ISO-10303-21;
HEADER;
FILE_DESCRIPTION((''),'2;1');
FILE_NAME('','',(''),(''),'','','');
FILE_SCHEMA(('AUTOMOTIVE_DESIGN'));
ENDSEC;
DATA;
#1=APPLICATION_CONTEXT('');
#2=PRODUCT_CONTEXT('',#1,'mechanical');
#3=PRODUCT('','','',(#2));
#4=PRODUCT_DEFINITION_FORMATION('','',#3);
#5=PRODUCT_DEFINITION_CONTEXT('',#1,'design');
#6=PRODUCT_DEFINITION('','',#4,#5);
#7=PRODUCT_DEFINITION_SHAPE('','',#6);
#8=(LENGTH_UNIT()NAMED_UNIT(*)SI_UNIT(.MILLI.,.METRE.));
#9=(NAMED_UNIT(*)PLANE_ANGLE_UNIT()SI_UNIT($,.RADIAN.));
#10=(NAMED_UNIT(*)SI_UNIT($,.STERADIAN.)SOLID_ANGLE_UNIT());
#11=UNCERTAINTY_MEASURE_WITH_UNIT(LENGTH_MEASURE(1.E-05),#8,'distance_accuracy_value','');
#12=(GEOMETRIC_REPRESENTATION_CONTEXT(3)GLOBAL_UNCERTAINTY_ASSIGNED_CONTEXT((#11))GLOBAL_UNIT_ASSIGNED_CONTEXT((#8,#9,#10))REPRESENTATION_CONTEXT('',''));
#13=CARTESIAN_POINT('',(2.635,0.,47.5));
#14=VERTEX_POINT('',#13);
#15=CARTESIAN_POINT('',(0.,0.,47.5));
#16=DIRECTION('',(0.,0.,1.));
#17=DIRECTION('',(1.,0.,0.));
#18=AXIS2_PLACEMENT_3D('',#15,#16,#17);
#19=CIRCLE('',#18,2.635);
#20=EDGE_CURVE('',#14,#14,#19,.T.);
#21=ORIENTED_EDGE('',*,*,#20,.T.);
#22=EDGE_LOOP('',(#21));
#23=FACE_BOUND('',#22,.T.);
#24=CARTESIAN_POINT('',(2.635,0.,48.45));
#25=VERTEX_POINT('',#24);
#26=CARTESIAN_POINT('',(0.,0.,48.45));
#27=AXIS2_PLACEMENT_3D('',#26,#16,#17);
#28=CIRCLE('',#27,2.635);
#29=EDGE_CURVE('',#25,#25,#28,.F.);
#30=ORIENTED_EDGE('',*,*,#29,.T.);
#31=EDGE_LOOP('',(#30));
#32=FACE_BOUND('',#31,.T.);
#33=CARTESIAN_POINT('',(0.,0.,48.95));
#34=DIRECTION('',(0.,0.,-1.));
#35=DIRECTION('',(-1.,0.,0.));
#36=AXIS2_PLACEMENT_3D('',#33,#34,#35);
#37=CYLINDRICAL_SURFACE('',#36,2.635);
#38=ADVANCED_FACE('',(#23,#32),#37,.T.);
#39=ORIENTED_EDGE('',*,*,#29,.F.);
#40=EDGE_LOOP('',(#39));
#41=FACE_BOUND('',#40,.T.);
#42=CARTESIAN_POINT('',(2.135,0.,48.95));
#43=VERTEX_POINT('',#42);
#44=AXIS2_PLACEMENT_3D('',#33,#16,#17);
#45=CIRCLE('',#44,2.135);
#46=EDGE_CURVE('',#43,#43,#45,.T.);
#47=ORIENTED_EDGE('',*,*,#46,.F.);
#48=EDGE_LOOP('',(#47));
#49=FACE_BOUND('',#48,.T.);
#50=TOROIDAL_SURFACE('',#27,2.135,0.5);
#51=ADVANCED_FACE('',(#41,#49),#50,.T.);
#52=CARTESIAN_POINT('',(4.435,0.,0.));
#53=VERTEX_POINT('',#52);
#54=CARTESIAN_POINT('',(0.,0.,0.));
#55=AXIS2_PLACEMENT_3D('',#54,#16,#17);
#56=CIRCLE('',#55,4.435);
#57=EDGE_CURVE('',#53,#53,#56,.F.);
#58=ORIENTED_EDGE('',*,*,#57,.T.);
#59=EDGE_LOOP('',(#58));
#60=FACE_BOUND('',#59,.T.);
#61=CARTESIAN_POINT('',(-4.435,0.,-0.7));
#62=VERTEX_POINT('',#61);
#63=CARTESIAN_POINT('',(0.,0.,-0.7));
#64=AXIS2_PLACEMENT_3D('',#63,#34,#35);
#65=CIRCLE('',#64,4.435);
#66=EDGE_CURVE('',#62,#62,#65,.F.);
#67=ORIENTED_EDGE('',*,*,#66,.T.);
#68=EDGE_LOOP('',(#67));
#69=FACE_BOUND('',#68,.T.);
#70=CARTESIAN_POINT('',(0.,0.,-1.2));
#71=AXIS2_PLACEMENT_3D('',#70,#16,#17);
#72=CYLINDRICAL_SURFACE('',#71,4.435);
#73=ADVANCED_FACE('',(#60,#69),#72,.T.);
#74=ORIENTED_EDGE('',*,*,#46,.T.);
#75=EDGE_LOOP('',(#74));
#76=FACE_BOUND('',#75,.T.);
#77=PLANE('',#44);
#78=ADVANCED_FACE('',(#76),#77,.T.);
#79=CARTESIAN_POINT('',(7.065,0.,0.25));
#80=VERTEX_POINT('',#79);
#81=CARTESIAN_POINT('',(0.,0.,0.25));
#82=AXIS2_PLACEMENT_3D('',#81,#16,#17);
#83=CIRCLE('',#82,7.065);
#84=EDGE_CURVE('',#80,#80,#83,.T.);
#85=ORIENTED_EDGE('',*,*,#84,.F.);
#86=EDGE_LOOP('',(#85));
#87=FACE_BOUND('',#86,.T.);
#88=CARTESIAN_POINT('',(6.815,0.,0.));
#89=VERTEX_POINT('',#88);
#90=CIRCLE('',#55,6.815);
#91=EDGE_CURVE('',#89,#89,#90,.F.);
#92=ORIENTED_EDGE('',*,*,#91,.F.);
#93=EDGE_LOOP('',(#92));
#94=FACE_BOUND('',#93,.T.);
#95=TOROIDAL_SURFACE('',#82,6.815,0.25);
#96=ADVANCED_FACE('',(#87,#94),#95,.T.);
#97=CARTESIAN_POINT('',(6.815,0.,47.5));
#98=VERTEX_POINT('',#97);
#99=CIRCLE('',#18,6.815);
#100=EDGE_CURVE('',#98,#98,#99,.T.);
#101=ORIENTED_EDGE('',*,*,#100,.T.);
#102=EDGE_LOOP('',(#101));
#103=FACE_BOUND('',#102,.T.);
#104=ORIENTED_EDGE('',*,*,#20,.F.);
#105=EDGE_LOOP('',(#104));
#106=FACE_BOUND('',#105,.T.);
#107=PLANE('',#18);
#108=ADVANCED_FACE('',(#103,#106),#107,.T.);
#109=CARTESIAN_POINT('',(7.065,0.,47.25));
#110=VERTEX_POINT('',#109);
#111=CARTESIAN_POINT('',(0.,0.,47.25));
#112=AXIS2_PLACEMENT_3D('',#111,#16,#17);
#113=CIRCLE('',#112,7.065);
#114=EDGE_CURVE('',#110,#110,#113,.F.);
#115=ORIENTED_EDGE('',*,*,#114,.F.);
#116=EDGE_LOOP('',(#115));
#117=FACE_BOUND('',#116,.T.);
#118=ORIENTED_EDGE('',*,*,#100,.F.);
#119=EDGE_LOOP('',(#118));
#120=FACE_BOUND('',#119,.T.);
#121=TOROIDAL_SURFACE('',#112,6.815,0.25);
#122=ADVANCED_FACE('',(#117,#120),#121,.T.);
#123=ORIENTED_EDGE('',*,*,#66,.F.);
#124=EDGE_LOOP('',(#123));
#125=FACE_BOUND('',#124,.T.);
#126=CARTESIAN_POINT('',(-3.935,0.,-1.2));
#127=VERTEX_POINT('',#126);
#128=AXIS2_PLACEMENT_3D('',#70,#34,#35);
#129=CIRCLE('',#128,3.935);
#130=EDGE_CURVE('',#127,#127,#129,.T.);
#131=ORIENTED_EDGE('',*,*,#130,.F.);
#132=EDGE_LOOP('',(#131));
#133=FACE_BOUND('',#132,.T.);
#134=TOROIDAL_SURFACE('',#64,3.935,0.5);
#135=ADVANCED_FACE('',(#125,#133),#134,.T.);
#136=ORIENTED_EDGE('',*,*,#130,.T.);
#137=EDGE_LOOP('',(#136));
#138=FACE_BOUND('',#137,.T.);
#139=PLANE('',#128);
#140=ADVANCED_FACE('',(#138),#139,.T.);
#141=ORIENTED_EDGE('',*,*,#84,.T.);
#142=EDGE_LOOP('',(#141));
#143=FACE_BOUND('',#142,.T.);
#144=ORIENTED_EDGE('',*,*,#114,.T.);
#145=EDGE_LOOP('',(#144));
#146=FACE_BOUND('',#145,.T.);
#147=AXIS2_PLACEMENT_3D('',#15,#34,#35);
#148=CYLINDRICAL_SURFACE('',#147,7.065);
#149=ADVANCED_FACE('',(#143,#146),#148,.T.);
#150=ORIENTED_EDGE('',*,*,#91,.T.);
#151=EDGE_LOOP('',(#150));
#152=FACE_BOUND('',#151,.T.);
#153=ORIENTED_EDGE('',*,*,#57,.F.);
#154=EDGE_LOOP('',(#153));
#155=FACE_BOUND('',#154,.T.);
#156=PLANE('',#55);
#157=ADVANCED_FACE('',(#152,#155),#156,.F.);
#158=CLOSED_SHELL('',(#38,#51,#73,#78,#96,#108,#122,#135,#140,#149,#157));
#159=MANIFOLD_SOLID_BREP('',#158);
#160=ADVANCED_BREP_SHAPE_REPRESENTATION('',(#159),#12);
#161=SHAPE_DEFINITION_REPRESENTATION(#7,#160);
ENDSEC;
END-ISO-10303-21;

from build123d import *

# Parameters (mm, degrees)
SKETCH1_R           = 7.065
BOSS_EXTRUDE1_DEPTH = 47.5
SKETCH2_R           = 2.635
BOSS_EXTRUDE2_DEPTH = 1.45
FILLET2_R           = 0.25
SKETCH3_R           = 4.435
BOSS_EXTRUDE3_DEPTH = 1.2
FILLET1_R           = 0.5


with BuildPart() as part:
    # Sketch1 → Boss-Extrude1 (new body)
    with BuildSketch(Plane.XY):
        Circle(SKETCH1_R)
    extrude(amount=BOSS_EXTRUDE1_DEPTH)

    # Sketch2 → Boss-Extrude2 (add)
    with BuildSketch(Plane.XY.offset(47.5)):
        Circle(SKETCH2_R)
    extrude(amount=BOSS_EXTRUDE2_DEPTH)

    # Fillet2
    fillet2_edges = [part.edges().sort_by_distance(p)[0] for p in [
        (-7.065, 0, 0),
        (-7.065, 0, 47.5),
    ]]
    fillet(fillet2_edges, radius=FILLET2_R)

    # Sketch3 → Boss-Extrude3 (add)
    with BuildSketch(Plane(origin=(0, 0, 0), x_dir=(-1, 0, 0), z_dir=(0, 0, -1))):
        Circle(SKETCH3_R)
    extrude(amount=BOSS_EXTRUDE3_DEPTH)

    # Fillet1
    fillet1_edges = [part.edges().sort_by_distance(p)[0] for p in [
        (4.435, 0, -1.2),
        (-2.635, 0, 48.95),
    ]]
    fillet(fillet1_edges, radius=FILLET1_R)


solid = part.part
